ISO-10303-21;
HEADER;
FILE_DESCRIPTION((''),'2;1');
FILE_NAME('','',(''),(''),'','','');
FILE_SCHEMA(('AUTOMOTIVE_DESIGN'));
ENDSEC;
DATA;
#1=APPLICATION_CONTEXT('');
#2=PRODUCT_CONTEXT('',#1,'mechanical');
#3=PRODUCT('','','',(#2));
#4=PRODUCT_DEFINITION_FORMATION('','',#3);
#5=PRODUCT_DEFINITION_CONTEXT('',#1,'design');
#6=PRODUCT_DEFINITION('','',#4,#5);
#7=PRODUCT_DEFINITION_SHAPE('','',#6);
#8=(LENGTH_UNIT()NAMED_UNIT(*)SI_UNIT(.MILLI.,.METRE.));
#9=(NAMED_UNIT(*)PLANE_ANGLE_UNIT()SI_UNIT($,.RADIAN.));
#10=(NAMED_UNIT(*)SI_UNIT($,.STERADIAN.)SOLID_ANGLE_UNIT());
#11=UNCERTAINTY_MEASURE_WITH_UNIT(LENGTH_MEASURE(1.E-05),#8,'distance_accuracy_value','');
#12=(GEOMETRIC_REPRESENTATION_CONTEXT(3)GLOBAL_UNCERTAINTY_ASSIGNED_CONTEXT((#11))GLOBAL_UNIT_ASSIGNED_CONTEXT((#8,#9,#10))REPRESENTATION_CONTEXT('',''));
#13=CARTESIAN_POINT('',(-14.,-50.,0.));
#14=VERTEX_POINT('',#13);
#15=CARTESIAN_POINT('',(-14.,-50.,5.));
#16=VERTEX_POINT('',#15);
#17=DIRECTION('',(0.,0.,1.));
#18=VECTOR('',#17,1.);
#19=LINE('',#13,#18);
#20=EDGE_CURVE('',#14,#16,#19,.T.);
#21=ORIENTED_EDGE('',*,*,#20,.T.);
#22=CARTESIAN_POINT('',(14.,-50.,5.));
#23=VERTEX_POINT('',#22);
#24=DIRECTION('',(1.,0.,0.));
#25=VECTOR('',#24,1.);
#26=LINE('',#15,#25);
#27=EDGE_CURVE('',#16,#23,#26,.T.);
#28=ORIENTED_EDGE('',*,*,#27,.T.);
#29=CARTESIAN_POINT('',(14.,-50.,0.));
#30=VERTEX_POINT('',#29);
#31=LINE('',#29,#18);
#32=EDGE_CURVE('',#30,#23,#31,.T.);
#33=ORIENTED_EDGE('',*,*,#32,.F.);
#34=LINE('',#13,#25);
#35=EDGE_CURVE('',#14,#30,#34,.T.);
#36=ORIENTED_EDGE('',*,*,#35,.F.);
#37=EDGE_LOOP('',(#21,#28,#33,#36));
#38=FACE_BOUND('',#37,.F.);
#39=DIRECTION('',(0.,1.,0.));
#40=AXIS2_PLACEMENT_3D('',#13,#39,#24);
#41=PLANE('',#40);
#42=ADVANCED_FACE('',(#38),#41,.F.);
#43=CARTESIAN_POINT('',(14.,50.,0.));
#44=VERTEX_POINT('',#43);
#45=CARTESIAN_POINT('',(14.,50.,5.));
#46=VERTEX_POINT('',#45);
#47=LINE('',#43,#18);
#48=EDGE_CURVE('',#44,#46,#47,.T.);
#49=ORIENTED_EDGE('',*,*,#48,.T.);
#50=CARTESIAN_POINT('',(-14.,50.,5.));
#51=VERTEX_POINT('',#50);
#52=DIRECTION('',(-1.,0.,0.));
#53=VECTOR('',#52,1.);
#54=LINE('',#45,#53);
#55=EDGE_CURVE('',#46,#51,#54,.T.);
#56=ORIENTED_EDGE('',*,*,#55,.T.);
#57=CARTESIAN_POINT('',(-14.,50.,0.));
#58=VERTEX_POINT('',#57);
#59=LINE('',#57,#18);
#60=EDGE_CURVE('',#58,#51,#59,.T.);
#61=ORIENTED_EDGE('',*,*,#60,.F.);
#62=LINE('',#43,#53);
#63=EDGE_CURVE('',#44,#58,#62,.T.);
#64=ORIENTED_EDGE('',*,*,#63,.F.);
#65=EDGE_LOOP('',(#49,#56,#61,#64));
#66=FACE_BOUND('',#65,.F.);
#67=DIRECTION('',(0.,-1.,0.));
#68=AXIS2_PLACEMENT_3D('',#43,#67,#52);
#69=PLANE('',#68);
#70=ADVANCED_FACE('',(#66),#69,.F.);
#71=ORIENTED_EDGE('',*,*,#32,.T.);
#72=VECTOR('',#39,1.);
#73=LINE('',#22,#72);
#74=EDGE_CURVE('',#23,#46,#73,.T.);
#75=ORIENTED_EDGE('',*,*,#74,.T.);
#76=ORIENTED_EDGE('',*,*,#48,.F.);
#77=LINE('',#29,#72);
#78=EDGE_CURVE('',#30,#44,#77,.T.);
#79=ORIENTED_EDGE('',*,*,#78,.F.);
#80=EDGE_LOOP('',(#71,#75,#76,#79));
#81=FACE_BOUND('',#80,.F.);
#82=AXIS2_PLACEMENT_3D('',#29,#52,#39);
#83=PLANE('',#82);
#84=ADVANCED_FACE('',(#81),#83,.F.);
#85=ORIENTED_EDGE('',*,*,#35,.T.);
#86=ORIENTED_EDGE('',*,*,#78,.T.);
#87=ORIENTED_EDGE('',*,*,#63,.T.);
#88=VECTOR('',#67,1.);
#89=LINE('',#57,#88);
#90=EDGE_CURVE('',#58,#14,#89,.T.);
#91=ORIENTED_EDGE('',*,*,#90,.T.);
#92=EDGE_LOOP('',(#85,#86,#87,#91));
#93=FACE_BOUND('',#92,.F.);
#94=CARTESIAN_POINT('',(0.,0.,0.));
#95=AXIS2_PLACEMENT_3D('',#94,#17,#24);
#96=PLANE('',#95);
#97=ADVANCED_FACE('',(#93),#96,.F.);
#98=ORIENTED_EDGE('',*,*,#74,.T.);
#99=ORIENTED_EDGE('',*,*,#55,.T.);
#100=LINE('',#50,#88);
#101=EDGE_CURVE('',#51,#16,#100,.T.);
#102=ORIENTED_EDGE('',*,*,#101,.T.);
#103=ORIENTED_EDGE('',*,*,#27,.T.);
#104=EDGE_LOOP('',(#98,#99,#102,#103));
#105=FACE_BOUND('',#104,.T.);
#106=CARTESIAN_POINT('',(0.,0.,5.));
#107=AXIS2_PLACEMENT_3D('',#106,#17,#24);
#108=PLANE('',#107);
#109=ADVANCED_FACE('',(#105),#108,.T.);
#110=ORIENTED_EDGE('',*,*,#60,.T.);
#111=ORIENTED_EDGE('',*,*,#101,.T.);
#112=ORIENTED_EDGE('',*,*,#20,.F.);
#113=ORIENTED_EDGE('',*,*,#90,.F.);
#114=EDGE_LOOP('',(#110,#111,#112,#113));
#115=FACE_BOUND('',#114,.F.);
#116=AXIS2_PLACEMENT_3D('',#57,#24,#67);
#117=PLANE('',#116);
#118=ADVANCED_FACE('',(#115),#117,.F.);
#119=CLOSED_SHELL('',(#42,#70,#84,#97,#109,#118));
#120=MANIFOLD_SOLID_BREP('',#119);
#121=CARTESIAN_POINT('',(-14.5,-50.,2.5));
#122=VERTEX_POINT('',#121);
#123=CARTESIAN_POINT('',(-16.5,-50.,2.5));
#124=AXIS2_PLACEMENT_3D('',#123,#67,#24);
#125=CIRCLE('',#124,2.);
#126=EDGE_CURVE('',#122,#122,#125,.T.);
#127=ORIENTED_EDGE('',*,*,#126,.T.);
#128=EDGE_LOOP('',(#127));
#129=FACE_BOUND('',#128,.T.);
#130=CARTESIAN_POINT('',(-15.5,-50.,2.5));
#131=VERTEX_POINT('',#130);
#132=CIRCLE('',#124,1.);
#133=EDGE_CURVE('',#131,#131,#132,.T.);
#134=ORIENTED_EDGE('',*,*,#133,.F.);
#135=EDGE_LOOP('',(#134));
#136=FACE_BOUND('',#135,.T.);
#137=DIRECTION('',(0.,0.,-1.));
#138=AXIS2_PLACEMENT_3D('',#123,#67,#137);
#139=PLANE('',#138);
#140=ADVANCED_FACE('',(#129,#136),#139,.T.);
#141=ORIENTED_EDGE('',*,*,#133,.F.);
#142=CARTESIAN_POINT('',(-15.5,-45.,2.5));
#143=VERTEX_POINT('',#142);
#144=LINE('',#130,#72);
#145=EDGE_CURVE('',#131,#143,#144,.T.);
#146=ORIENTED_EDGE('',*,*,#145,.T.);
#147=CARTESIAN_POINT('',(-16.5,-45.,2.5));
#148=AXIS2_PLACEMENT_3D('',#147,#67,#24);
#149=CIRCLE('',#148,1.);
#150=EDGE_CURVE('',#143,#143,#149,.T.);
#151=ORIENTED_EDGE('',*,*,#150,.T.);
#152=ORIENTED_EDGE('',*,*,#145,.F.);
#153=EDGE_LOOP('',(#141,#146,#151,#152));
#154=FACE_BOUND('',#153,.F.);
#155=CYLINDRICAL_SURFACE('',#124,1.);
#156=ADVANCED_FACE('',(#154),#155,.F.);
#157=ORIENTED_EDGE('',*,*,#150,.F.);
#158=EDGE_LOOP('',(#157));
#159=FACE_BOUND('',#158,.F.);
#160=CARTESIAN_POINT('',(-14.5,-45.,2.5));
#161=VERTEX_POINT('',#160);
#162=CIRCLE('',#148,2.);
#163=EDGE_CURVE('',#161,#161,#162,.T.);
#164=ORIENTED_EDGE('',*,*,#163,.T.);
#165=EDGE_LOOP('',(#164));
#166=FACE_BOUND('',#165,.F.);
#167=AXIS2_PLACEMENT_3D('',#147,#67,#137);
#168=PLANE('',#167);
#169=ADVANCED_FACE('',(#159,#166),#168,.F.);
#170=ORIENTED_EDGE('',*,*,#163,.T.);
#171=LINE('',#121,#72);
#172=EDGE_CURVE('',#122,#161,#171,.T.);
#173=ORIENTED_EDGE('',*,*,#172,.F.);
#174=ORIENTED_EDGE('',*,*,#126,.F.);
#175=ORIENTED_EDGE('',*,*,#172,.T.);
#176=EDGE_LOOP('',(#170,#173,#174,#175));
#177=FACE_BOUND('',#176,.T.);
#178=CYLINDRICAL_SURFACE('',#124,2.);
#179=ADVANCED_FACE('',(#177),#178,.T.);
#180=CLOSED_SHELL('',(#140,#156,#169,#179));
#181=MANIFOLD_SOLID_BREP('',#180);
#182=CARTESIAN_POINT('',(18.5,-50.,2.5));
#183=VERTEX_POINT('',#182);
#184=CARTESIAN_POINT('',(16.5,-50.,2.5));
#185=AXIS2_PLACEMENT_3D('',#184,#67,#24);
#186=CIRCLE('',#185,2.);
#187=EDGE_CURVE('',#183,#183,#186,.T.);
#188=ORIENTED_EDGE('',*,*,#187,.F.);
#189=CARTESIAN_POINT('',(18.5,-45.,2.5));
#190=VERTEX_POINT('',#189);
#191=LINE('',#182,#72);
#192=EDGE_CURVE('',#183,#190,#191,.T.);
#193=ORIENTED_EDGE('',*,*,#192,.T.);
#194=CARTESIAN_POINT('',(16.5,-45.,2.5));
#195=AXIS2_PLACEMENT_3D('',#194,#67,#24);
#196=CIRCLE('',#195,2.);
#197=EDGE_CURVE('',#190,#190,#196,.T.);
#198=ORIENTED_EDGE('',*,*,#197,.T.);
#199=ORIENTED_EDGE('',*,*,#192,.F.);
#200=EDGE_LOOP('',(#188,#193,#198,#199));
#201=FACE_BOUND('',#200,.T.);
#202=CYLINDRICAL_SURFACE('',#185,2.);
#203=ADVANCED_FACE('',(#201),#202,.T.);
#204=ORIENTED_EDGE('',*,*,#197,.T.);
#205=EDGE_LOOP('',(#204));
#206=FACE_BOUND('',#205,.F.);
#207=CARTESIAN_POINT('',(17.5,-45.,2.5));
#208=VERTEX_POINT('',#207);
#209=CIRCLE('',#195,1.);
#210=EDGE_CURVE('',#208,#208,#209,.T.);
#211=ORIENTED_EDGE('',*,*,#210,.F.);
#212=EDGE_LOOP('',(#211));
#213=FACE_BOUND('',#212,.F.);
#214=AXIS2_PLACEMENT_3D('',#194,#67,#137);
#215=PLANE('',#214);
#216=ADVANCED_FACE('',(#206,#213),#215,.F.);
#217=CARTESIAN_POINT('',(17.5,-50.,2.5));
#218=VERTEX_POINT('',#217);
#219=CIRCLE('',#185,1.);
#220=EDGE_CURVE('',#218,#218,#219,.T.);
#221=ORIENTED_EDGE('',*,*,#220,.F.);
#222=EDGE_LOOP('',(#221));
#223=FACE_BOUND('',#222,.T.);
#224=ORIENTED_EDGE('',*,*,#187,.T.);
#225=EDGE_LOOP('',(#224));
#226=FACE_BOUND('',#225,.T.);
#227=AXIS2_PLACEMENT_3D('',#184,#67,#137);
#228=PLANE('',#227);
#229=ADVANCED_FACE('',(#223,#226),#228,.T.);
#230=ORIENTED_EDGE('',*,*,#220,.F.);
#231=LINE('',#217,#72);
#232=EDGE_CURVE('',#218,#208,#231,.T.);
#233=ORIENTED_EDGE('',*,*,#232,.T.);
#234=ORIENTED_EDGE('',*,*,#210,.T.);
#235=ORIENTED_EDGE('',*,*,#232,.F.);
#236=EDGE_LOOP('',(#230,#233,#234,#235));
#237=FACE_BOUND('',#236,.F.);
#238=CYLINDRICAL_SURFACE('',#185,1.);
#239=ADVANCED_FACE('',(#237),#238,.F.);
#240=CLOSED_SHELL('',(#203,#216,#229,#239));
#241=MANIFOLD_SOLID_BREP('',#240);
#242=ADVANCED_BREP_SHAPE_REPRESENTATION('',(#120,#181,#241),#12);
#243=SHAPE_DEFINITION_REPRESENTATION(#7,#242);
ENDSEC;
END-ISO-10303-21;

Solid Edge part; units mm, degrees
sketch "Sketch1" plane through (0, 0, 0) normal (0, 0, 1) x (1, 0, 0)
  line L0 (14, -50) -> (14, 50)
  line L1 (14, 50) -> (-14, 50)
  line L2 (-14, 50) -> (-14, -50)
  line L3 (-14, -50) -> (14, -50)
extrude "Protrusion1" add sketch "Sketch1" along normal blind 5
sketch "Sketch2" plane through (0, -50, 2.5) normal (0, -1, 0) x (1, 0, 0)
  circle A0 centre (-16.5, 0) radius 2
  circle A1 centre (16.5, 0) radius 2
extrude "ExtrudedProtrusion_3" add sketch "Sketch2" against normal blind 5
sketch "Sketch3" plane through (0, -50, 2.5) normal (0, -1, 0) x (1, 0, 0)
  circle A0 centre (-16.5, 0) radius 1
  circle A1 centre (16.5, 0) radius 1
extrude "ExtrudedCutout_3" cut sketch "Sketch3" against normal blind 71.9388
